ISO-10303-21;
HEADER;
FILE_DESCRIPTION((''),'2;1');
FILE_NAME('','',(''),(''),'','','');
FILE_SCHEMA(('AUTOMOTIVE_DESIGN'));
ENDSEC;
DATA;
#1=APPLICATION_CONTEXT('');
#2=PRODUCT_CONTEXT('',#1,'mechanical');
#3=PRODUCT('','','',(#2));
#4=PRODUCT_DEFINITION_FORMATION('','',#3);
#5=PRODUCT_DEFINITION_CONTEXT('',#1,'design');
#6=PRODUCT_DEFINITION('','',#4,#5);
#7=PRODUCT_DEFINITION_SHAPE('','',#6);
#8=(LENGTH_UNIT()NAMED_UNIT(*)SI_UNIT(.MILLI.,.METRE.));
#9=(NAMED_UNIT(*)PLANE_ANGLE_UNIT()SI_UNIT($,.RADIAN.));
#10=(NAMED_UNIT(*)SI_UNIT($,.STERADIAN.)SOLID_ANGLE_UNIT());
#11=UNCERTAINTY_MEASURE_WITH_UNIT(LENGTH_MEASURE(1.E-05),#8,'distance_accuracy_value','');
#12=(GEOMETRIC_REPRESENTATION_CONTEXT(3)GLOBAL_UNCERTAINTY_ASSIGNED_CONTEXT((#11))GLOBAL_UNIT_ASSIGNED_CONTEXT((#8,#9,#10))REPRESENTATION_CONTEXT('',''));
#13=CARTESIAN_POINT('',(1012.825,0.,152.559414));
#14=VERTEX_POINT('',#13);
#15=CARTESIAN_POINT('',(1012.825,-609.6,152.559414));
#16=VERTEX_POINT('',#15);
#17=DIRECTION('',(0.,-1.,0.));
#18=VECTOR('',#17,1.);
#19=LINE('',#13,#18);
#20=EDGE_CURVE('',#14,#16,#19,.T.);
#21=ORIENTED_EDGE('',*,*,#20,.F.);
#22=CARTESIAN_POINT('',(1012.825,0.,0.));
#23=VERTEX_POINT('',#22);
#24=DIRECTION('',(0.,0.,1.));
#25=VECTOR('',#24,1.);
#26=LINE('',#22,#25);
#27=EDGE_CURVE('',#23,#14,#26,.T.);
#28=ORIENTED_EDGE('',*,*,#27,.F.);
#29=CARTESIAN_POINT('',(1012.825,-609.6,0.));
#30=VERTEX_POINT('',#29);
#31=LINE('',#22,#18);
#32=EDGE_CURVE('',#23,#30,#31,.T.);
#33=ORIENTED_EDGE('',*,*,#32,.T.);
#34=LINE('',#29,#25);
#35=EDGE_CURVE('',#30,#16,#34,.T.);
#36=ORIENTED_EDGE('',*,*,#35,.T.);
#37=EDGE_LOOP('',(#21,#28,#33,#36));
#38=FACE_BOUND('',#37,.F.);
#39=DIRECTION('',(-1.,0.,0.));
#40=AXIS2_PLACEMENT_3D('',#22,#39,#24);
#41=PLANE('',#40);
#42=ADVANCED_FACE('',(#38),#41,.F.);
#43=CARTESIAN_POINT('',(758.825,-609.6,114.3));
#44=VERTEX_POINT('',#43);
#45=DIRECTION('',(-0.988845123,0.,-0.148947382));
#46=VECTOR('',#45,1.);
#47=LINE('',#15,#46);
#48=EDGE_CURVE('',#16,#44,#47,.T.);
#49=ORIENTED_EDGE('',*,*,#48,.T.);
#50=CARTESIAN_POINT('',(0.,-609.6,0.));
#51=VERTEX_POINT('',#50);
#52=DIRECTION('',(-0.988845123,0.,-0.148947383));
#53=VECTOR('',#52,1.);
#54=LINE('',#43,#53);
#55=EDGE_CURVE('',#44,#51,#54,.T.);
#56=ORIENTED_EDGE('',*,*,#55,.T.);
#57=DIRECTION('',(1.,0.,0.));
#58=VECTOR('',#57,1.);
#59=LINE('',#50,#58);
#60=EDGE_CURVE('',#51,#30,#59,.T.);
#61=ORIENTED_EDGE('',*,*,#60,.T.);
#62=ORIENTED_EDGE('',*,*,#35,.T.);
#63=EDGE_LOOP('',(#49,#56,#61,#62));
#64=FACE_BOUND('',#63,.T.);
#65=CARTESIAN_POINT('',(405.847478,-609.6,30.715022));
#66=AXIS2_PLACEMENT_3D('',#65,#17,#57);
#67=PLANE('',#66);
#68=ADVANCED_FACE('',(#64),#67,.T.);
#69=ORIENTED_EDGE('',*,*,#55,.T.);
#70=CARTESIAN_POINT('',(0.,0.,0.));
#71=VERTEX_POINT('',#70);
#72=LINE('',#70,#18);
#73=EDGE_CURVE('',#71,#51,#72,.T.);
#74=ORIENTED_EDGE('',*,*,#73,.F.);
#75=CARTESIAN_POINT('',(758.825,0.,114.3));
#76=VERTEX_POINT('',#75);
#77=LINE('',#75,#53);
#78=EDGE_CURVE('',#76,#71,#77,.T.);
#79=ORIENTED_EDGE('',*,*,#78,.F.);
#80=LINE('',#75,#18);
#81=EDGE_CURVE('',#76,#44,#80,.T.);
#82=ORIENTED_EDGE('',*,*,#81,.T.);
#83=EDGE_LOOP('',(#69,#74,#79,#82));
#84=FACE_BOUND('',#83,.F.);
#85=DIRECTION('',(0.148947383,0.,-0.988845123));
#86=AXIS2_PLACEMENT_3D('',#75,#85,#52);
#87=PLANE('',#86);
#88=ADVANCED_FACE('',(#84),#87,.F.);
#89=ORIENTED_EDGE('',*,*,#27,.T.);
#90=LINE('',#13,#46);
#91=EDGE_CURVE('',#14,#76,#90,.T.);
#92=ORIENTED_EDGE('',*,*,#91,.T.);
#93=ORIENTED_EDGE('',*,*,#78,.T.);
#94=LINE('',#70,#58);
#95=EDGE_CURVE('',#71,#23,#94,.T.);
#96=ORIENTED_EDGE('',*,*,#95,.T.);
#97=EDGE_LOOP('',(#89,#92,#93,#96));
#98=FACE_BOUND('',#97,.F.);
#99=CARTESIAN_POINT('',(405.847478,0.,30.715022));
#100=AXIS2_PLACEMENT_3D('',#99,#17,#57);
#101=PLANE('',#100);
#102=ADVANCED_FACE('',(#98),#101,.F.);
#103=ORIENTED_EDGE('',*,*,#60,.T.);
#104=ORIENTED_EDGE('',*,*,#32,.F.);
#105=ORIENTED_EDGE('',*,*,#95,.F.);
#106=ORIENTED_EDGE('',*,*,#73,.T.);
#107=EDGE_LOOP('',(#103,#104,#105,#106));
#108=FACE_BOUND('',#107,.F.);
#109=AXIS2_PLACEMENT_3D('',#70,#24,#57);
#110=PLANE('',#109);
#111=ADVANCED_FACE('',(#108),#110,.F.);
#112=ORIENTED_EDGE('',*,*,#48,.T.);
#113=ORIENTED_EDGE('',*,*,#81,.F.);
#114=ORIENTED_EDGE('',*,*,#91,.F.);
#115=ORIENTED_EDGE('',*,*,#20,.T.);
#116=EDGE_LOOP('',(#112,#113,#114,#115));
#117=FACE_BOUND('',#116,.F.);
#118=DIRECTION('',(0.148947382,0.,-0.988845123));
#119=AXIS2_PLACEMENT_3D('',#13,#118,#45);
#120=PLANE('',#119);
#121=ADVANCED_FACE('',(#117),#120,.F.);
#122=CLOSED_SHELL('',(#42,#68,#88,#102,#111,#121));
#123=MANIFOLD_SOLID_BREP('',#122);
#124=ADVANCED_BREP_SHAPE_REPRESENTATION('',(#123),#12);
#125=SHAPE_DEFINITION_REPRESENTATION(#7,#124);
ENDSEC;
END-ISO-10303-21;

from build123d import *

# Parameters (mm, degrees)
F1_DEPTH = 609.6


with BuildPart() as f1:
    # F0 (on Front) → F1 (new body)
    with BuildSketch(Plane.XZ):
        Polygon((758.825, 114.3), (0, 0), (758.825, 0), align=None)
        Polygon((758.825, 114.3), (758.825, 0), (1012.825, 0), (1012.825, 152.559414), align=None)
    extrude(amount=F1_DEPTH)


solid = f1.part
